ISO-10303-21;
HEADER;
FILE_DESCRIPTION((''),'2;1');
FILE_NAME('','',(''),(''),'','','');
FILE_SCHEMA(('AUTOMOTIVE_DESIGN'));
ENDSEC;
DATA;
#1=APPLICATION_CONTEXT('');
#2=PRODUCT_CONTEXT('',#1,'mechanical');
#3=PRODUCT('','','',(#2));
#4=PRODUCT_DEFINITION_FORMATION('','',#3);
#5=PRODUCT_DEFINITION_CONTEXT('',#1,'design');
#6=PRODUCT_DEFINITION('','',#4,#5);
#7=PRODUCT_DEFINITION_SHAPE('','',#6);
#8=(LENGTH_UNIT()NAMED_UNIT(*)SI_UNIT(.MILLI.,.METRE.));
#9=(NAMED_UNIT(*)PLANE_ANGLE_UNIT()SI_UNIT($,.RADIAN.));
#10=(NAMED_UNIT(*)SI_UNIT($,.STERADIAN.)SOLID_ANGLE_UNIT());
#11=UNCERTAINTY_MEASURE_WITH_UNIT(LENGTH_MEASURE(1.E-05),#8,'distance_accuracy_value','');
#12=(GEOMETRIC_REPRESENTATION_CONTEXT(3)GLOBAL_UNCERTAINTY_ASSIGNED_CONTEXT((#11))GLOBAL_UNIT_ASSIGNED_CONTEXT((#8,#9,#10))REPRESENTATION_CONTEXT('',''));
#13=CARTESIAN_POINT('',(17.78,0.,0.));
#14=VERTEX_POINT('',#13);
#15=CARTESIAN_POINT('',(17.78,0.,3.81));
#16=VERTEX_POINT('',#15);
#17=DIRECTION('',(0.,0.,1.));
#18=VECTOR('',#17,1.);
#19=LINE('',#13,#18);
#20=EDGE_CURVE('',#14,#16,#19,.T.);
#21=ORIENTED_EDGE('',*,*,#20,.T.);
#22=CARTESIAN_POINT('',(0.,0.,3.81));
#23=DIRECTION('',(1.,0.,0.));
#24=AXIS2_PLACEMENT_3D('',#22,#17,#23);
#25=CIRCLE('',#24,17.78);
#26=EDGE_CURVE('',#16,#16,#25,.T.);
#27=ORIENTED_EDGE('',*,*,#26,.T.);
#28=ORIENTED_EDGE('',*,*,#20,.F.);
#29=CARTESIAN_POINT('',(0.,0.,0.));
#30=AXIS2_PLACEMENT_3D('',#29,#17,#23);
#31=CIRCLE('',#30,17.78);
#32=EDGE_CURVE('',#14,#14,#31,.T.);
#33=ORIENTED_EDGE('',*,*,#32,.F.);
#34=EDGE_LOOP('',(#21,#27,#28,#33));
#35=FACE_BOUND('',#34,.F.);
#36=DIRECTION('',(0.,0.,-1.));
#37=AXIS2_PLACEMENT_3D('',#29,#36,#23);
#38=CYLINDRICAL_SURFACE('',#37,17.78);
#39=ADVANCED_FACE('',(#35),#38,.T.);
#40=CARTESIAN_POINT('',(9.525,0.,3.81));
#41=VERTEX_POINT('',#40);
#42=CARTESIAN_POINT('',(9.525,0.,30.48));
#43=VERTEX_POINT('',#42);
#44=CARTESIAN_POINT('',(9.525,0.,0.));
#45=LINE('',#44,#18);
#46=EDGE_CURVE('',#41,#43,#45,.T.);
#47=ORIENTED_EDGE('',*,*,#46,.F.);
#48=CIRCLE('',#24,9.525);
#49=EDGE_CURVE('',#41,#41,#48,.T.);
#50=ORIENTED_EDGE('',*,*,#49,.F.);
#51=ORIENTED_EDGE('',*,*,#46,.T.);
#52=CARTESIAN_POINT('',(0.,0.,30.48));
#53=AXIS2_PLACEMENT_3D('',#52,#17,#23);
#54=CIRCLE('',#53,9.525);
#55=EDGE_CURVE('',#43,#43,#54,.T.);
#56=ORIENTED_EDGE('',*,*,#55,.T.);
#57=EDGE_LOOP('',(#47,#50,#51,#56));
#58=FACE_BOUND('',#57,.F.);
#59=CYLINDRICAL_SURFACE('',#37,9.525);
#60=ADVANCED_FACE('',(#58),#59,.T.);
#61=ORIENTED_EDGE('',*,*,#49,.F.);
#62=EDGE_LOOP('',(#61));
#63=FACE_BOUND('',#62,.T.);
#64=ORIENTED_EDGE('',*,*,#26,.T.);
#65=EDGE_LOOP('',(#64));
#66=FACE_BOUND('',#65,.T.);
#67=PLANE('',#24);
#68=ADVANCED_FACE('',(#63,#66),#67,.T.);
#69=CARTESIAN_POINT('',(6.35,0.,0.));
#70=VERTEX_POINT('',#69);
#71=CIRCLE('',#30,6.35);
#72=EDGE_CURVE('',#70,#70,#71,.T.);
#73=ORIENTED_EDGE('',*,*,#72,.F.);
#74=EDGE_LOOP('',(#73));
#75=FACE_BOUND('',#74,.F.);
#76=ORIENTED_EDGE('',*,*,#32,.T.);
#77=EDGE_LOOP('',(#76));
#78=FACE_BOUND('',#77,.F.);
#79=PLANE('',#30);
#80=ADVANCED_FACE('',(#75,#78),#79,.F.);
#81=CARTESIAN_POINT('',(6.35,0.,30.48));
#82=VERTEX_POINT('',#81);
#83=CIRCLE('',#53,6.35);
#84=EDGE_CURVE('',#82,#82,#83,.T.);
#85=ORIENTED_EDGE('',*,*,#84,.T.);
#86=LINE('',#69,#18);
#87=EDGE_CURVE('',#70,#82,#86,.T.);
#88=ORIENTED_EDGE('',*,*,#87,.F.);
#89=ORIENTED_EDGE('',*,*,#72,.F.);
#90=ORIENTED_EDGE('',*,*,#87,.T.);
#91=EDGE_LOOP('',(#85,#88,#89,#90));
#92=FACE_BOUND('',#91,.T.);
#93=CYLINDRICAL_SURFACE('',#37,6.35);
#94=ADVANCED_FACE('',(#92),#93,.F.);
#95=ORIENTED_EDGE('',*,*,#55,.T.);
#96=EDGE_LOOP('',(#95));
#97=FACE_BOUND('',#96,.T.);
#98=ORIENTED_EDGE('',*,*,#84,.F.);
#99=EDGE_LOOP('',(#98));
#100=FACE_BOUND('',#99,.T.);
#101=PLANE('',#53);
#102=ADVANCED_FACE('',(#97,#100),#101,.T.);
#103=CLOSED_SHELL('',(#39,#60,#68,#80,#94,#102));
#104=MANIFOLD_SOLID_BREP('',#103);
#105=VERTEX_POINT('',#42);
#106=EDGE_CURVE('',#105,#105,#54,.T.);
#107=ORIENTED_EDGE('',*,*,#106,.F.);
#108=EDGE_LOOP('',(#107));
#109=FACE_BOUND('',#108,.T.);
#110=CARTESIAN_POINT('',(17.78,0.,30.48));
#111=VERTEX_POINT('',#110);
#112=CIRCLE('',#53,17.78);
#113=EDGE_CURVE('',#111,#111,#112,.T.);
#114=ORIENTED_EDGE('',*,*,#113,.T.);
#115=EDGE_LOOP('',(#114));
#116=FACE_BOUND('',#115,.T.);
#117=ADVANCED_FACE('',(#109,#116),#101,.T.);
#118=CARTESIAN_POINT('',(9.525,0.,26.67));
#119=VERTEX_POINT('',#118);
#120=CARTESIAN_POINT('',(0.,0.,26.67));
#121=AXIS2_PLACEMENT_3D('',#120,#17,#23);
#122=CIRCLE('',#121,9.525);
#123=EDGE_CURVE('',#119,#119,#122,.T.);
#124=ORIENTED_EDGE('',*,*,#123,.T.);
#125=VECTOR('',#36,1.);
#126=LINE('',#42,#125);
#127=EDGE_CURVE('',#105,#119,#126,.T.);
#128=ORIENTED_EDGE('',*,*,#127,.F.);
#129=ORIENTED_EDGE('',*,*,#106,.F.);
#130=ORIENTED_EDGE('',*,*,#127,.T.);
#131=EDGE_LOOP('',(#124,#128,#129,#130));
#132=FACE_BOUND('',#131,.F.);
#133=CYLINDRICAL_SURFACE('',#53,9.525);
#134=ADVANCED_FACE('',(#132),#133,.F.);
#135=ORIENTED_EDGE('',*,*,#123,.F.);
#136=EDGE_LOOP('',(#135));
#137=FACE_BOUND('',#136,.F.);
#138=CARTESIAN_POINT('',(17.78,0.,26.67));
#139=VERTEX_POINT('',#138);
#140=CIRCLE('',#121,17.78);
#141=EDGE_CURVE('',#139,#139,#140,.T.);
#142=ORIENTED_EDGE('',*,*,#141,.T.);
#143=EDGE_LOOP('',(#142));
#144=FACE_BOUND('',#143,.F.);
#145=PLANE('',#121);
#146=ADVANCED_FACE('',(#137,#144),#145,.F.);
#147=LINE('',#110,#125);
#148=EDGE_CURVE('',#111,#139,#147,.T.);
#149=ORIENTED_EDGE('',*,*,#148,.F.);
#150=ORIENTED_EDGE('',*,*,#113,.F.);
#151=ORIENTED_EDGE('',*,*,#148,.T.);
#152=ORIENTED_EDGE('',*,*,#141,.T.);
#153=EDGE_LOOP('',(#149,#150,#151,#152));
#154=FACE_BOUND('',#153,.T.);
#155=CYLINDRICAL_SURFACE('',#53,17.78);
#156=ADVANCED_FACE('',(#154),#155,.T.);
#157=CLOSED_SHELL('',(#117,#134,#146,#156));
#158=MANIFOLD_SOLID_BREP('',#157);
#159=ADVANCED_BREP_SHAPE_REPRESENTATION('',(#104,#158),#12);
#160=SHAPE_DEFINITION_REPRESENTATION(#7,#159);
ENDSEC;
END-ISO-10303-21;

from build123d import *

# Parameters (mm, degrees)
F0_R     = 17.78
F0_R_2   = 9.525
F1_DEPTH = 3.81
F0_R_3   = 6.35
F2_DEPTH = 30.48
F3_R     = 17.78
F3_R_2   = 9.525
F4_DEPTH = 3.81


with BuildPart() as f1:
    # F0 (on Top) → F1 (new body)
    with BuildSketch(Plane.XY):
        Circle(F0_R)
        Circle(F0_R_2, mode=Mode.SUBTRACT)
    extrude(amount=F1_DEPTH)

    # F0 (on Top) → F2 (join)
    with BuildSketch(Plane.XY):
        Circle(F0_R_2)
        Circle(F0_R_3, mode=Mode.SUBTRACT)
    extrude(amount=F2_DEPTH)


with BuildPart() as f4:
    # F3 (on face) → F4 (new body)
    with BuildSketch(Plane.XY.offset(30.48)):
        Circle(F3_R)
        Circle(F3_R_2, mode=Mode.SUBTRACT)
    extrude(amount=-F4_DEPTH)


solid = Compound([f1.part, f4.part])
